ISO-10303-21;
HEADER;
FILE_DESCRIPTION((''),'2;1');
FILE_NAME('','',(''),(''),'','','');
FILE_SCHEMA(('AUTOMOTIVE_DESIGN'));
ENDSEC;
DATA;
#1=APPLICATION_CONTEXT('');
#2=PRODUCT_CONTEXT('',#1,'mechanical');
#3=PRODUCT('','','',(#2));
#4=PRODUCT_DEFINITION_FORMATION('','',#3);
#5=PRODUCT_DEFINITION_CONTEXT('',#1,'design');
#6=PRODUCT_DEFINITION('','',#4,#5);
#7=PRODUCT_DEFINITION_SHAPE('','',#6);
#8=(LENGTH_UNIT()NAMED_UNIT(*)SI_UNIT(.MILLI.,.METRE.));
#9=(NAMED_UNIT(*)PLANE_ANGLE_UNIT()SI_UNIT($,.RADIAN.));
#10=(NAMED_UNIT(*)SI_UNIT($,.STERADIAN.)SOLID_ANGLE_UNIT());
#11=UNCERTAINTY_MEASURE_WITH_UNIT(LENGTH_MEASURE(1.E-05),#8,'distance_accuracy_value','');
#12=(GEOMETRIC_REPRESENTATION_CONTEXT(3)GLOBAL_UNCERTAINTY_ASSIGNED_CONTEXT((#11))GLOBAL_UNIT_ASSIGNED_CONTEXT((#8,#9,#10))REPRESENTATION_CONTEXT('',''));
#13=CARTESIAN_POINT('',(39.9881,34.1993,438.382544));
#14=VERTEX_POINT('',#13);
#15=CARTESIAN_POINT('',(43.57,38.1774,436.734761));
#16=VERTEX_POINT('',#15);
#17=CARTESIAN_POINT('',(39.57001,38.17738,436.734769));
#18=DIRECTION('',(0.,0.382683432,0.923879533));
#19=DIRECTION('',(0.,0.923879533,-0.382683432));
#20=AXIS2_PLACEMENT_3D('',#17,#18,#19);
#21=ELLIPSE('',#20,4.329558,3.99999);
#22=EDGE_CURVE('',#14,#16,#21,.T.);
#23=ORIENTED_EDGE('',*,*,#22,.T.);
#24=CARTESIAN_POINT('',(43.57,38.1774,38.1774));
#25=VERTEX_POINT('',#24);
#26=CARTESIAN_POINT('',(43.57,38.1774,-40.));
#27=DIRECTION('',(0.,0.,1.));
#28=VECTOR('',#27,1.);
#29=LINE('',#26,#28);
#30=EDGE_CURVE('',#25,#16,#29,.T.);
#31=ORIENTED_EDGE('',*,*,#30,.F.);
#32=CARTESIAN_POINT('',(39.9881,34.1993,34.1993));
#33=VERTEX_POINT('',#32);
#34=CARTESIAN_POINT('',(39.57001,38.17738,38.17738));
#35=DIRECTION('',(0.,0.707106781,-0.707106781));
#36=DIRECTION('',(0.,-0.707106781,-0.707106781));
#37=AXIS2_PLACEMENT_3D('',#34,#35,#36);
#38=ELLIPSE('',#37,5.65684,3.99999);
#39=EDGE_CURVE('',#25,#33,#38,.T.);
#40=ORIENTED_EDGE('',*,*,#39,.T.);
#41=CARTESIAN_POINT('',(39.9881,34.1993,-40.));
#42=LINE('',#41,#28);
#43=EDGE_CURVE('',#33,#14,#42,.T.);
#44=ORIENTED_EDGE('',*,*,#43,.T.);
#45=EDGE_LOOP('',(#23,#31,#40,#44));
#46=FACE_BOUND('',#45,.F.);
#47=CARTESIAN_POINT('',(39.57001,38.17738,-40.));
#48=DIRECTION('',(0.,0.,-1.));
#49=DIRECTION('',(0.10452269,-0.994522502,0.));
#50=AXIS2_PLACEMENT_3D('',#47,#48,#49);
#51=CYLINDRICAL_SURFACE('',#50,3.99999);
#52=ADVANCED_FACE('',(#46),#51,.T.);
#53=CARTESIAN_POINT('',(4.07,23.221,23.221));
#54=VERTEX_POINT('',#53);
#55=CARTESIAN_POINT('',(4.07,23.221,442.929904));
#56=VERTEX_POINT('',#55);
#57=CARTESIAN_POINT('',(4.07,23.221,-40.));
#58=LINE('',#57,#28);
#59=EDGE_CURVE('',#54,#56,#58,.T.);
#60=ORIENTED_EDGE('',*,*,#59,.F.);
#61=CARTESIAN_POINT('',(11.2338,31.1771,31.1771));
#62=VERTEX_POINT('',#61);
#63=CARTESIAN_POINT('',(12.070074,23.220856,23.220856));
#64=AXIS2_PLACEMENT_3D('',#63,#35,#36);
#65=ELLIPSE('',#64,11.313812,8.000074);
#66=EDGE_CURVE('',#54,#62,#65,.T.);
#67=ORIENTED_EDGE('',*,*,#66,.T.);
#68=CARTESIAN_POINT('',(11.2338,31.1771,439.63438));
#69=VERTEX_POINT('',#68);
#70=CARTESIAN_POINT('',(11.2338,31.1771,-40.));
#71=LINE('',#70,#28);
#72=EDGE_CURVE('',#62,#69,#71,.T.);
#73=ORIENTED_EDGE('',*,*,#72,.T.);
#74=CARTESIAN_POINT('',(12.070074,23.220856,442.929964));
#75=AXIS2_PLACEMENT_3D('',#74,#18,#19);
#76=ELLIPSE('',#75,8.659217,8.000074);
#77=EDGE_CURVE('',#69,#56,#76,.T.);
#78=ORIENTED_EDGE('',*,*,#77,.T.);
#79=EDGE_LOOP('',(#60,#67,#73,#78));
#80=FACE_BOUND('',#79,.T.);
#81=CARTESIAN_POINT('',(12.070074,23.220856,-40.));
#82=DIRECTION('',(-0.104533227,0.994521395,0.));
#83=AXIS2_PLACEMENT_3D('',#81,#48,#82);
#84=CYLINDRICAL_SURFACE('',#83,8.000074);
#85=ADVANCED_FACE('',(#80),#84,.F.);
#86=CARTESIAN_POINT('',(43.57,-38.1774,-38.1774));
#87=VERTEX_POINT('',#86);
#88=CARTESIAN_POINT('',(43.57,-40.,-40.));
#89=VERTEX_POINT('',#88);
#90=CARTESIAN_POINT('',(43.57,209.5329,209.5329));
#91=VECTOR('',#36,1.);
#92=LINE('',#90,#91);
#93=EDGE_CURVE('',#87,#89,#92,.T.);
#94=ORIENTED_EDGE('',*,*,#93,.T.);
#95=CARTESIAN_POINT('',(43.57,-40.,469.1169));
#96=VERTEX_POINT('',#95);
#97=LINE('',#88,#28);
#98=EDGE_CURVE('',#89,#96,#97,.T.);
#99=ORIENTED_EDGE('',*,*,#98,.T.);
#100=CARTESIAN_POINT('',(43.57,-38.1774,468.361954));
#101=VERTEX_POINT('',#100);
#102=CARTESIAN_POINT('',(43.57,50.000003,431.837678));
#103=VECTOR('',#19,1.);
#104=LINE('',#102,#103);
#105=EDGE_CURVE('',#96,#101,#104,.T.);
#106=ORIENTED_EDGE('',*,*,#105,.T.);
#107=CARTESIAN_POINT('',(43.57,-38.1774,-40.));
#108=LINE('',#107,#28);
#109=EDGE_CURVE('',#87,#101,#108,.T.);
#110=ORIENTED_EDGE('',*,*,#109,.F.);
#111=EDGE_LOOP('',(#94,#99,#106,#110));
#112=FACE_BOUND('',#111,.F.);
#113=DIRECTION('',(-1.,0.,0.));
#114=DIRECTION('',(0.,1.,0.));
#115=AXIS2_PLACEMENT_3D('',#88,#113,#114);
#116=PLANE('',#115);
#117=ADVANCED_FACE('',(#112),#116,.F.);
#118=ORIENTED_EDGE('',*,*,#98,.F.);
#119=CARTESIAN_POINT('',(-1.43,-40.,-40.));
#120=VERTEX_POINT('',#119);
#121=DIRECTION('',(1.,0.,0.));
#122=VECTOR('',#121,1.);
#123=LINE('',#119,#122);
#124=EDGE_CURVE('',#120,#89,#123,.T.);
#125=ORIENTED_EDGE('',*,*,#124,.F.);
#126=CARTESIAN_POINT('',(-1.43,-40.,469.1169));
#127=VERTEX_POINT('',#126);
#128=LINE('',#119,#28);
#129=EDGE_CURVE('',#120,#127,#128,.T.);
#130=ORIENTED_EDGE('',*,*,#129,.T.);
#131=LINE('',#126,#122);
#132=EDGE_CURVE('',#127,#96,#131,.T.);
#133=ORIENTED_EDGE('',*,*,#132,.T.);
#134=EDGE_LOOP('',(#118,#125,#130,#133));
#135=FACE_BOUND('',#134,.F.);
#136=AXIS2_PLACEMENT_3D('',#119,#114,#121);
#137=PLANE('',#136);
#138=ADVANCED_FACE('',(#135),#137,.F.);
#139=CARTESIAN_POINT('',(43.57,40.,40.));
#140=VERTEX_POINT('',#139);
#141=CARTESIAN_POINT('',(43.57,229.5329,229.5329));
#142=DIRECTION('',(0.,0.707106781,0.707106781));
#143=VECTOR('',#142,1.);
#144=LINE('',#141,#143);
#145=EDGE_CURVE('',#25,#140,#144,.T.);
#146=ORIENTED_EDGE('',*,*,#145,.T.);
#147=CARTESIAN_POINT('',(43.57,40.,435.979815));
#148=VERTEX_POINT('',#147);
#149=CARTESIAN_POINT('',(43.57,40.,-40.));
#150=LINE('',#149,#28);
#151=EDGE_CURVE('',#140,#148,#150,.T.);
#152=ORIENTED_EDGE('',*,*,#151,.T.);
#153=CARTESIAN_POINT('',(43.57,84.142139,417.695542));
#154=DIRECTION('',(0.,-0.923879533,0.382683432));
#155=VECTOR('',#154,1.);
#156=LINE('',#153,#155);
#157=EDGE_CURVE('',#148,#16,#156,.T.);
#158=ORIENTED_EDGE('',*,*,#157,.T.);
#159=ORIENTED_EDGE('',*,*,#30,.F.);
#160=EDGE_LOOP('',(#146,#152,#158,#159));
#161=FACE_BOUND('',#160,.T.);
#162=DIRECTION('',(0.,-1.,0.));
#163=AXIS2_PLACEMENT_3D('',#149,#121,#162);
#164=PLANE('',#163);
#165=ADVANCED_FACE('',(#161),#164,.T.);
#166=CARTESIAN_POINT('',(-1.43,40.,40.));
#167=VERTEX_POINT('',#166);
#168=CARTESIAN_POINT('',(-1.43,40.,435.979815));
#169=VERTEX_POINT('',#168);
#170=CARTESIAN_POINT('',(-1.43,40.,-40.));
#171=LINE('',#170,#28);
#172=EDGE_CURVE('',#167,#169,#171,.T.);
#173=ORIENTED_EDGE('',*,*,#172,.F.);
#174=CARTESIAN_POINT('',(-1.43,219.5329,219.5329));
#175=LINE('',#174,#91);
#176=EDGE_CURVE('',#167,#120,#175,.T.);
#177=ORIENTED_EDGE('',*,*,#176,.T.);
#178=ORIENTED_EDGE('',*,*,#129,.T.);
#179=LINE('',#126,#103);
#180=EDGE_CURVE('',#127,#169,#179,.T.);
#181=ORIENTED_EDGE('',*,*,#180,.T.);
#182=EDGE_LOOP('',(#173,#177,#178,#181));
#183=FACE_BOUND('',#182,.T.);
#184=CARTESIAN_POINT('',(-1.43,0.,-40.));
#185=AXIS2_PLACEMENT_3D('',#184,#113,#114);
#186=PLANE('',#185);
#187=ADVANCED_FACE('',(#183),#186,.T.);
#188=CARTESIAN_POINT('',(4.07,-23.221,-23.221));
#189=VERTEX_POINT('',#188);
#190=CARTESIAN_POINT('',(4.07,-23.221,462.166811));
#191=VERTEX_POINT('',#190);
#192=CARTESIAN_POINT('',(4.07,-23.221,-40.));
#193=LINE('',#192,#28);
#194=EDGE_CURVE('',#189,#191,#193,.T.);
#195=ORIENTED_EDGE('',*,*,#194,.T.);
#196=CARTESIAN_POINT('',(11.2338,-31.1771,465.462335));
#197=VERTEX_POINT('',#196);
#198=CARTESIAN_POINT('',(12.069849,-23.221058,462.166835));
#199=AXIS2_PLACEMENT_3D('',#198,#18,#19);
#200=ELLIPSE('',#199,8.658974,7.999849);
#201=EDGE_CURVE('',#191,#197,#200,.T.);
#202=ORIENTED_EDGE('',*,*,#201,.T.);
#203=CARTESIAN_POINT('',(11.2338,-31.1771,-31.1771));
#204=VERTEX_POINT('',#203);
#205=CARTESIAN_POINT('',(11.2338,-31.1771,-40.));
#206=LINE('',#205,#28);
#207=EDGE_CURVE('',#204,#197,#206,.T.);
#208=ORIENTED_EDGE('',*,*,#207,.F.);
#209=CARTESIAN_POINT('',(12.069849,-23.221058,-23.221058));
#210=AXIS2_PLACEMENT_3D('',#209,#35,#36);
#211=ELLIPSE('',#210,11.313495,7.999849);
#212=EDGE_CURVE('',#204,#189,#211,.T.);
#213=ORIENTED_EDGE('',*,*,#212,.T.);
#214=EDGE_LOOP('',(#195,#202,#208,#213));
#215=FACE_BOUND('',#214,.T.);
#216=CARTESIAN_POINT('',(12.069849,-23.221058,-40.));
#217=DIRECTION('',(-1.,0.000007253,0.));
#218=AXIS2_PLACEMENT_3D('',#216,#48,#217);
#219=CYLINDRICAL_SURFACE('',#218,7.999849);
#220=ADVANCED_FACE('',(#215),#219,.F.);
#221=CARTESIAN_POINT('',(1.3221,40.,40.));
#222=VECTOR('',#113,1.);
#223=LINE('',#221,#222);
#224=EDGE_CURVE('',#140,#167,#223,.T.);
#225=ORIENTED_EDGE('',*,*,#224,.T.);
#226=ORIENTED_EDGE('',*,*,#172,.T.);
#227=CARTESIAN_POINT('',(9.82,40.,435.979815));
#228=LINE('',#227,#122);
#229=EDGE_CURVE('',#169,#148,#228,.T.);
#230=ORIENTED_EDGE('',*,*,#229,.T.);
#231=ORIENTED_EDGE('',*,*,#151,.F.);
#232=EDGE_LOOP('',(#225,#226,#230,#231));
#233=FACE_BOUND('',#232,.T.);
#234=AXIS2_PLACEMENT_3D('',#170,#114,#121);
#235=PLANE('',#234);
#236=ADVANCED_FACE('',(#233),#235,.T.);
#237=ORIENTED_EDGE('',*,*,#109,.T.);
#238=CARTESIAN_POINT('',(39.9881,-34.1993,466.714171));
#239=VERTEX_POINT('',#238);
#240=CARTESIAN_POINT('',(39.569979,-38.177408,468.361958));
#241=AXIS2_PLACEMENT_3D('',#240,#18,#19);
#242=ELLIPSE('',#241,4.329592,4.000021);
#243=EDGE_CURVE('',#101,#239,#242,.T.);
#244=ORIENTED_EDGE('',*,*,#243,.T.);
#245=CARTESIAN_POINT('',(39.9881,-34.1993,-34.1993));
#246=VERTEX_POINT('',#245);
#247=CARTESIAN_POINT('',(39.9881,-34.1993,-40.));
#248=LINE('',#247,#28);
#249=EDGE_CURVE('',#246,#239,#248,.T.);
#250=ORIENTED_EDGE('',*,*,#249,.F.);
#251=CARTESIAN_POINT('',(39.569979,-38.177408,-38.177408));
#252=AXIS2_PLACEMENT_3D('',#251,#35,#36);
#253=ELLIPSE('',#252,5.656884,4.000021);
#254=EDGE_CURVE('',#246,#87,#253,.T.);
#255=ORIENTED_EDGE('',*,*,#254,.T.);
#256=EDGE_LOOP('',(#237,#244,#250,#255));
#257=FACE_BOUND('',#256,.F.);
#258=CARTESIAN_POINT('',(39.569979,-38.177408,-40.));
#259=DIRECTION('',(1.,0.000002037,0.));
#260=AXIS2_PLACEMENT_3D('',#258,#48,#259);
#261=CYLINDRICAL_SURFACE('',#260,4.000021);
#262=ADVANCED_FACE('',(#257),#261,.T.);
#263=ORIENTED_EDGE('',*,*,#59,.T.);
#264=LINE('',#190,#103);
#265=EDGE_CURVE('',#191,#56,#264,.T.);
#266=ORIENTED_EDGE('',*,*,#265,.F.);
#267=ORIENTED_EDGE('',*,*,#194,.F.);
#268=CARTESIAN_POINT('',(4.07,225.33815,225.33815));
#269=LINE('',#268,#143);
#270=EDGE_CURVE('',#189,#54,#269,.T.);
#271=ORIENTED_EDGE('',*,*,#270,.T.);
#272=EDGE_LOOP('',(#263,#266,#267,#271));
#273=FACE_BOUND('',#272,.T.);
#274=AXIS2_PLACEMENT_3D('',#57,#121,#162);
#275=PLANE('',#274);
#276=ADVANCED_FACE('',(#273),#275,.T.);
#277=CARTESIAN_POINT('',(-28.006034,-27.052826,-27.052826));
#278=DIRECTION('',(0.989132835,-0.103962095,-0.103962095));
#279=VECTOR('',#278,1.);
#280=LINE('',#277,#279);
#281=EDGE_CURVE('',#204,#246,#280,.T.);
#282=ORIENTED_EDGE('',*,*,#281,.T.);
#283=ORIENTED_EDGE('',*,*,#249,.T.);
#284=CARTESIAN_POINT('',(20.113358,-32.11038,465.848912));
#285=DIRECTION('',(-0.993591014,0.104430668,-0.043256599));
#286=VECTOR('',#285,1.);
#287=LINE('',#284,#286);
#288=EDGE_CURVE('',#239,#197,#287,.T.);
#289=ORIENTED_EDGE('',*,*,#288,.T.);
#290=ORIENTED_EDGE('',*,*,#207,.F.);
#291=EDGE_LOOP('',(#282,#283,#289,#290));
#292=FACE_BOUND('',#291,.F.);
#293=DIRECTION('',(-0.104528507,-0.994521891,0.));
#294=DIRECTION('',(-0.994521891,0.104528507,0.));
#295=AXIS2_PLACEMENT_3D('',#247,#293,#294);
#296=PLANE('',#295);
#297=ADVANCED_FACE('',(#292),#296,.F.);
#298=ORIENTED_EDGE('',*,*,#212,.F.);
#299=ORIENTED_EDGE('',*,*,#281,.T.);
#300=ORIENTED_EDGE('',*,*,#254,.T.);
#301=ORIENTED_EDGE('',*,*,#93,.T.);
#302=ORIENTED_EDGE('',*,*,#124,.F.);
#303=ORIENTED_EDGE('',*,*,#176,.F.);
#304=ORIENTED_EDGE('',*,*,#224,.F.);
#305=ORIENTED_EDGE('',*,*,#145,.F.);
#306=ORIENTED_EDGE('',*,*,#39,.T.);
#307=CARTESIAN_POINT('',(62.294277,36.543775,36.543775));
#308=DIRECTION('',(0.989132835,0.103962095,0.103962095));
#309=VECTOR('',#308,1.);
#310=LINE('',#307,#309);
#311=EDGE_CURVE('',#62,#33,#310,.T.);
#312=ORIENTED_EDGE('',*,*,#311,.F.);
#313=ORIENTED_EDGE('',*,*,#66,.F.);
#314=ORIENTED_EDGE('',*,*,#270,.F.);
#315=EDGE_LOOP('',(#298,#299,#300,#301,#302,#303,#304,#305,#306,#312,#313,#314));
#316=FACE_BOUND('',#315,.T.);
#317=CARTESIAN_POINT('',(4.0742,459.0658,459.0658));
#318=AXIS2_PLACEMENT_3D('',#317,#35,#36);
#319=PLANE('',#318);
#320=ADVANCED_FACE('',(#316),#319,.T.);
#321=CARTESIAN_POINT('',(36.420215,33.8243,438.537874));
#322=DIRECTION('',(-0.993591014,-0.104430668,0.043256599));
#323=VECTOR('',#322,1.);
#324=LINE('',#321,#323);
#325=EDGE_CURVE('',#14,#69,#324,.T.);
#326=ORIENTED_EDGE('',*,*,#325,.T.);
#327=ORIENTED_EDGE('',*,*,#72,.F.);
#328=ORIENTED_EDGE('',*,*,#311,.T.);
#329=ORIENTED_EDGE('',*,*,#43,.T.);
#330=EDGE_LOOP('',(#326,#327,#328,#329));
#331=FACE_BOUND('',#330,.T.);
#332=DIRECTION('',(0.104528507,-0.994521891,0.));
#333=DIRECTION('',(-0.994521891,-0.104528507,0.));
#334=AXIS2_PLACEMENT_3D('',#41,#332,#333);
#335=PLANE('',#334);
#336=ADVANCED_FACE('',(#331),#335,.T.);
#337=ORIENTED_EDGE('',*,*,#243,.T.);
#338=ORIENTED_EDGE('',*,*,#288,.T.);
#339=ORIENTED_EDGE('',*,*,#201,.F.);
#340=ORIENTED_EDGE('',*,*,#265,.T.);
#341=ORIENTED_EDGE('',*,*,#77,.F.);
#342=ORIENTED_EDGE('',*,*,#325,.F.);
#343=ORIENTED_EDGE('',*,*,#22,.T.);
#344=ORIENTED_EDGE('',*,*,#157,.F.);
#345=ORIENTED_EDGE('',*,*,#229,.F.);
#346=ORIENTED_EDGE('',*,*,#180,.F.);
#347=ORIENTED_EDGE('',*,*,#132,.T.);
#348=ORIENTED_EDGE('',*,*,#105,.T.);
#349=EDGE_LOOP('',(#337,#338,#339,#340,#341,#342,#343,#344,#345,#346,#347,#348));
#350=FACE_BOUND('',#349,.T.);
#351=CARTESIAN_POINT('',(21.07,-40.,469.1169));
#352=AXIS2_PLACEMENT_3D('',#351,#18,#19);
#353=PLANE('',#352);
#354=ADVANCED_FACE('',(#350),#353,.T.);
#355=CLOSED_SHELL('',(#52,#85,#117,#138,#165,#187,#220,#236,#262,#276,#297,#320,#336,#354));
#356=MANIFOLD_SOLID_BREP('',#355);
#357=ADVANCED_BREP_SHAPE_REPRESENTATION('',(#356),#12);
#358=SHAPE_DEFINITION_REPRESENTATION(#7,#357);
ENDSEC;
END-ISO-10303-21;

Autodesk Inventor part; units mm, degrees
ref_plane "Начальная плоскость" through (0, 0, -40) normal (0, 0, 1) x (1, 0, 0)
ref_plane "Конечная плоскость" through (0, 0, 469.1169) normal (0, 0, 1) x (1, 0, 0)
sketch "Эскиз" plane through (0, 0, 0) normal (0, 0, 1) x (1, 0, 0)
  line L0 (-1.43, 0) -> (-1.43, 40)
  line L1 (-1.43, 40) -> (43.57, 40)
  line L2 (43.57, 40) -> (43.57, 38.1774)
  line L3 (39.9881, 34.1993) -> (11.2338, 31.1771)
  line L4 (4.07, 23.221) -> (4.07, 0)
  line L5 (4.07, 0) -> (-1.43, 0) construction
  line L6 (23.82, 40) -> (23.82, 32.5) construction
  line L7 (43.57, 34.5758) -> (43.57, 32.5) construction
  line L8 (43.57, 32.5) -> (23.82, 32.5) construction
  line L9 (0, 15) -> (0, -27) construction
  line L10 (-5.539, 0) -> (16.0067, 0) construction
  line L11 (-1.43, 0) -> (-1.43, -40)
  line L12 (-1.43, -40) -> (43.57, -40)
  line L13 (43.57, -40) -> (43.57, -38.1774)
  line L14 (39.9881, -34.1993) -> (11.2338, -31.1771)
  line L15 (4.07, -23.221) -> (4.07, 0)
  arc A0 (11.2338, 31.1771) -> (4.07, 23.221) centre (12.07, 23.221) ccw
  arc A1 (4.07, -23.221) -> (11.2338, -31.1771) centre (12.07, -23.221) ccw
  arc A2 (39.9881, 34.1993) -> (43.57, 38.1774) centre (39.57, 38.1774) ccw
  arc A3 (43.57, -38.1774) -> (39.9881, -34.1993) centre (39.57, -38.1774) ccw
  line L16 (0, 56) -> (0, -56) construction
  line L17 (-15.5135, 0) -> (54.308, 0) construction
  point P0 (4.07, 30.4242)
  point P1 (43.57, -34.5758)
  point P2 (4.07, -30.4242)
  point P3 (23.82, -40)
  point P4 (23.82, -32.5)
  dimension "d0" = 5.5
  dimension "d1" = 40
  dimension "d2" = 45
  dimension "d3" = 7.5
  dimension "d4" = 19.75
  dimension "d5" = 2.0758
  dimension "d23" = 8
  dimension "d24" = 4
  dimension "d25" = 1.43
extrude "Тело" add sketch "Эскиз" along normal up to surface (509.1169 mm away) from surface at -40
sketch "Sketch3" plane through (0, 0, 0) normal (0, 0, 1) x (1, 0, 0)
  line L0 (0, 0) -> (10, 0)
ref_plane "Work Plane3" through (0, 0, 0) normal (0, -1, 0) x (1, 0, 0)
sketch "Sketch4" plane through (0, 0, 0) normal (0, -1, 0) x (1, 0, 0)
  line L0 (-2, -40) -> (12, -40)
  line L1 (-2, 469.1169) -> (12, 469.1169)
  dimension "d29" = 509.1169
ref_plane "РабПлоскость4" through (21.07, -40, 469.1169) normal (0, 0.3827, 0.9239) x (1, 0, 0)
split "Разделение1" plane through (21.07, -40, 469.1169) removes the side toward (0, 0.3827, 0.9239)
ref_plane "РабПлоскость8" through (4.0742, 459.0658, 459.0658) normal (0, 0.7071, -0.7071) x (1, 0, 0)
split "Разделение2" plane through (4.0742, 459.0658, 459.0658) removes the side toward (0, 0.7071, -0.7071)
equation "\"d0\" = G_T"
equation "\"d1\" = 0.5 * G_H"
equation "\"d2\" = G_W"
equation "\"d3\" = G_T1"
equation "\"d4\" = G_C"
equation "\"d23\" = G_IR"
equation "\"d24\" = G_ER"
equation "\"d25\" = ex"
equation "\"d6\" = G_L"
equation "\"G_W\" = 45"
equation "\"G_T\" = 5.5"
equation "\"G_T1\" = 7.5"
equation "\"G_NG\" = 0.105104"
equation "\"G_ER\" = 4"
equation "\"G_IR\" = 8"
equation "\"G_C\" = 19.75"
equation "\"G_L\" = d29"
equation "\"ex\" = 1.43"
equation "\"G_OFFSET_END\" = 16.56854"
equation "\"d27\" = G_OFFSET_END + B_L"
equation "\"B_L\" = 452.54834"
equation "\"G_H\" = 80"
properties part number "ISO 657/11 - CH 80 x 8 - 509,12" material "Сталь, мягкая"
